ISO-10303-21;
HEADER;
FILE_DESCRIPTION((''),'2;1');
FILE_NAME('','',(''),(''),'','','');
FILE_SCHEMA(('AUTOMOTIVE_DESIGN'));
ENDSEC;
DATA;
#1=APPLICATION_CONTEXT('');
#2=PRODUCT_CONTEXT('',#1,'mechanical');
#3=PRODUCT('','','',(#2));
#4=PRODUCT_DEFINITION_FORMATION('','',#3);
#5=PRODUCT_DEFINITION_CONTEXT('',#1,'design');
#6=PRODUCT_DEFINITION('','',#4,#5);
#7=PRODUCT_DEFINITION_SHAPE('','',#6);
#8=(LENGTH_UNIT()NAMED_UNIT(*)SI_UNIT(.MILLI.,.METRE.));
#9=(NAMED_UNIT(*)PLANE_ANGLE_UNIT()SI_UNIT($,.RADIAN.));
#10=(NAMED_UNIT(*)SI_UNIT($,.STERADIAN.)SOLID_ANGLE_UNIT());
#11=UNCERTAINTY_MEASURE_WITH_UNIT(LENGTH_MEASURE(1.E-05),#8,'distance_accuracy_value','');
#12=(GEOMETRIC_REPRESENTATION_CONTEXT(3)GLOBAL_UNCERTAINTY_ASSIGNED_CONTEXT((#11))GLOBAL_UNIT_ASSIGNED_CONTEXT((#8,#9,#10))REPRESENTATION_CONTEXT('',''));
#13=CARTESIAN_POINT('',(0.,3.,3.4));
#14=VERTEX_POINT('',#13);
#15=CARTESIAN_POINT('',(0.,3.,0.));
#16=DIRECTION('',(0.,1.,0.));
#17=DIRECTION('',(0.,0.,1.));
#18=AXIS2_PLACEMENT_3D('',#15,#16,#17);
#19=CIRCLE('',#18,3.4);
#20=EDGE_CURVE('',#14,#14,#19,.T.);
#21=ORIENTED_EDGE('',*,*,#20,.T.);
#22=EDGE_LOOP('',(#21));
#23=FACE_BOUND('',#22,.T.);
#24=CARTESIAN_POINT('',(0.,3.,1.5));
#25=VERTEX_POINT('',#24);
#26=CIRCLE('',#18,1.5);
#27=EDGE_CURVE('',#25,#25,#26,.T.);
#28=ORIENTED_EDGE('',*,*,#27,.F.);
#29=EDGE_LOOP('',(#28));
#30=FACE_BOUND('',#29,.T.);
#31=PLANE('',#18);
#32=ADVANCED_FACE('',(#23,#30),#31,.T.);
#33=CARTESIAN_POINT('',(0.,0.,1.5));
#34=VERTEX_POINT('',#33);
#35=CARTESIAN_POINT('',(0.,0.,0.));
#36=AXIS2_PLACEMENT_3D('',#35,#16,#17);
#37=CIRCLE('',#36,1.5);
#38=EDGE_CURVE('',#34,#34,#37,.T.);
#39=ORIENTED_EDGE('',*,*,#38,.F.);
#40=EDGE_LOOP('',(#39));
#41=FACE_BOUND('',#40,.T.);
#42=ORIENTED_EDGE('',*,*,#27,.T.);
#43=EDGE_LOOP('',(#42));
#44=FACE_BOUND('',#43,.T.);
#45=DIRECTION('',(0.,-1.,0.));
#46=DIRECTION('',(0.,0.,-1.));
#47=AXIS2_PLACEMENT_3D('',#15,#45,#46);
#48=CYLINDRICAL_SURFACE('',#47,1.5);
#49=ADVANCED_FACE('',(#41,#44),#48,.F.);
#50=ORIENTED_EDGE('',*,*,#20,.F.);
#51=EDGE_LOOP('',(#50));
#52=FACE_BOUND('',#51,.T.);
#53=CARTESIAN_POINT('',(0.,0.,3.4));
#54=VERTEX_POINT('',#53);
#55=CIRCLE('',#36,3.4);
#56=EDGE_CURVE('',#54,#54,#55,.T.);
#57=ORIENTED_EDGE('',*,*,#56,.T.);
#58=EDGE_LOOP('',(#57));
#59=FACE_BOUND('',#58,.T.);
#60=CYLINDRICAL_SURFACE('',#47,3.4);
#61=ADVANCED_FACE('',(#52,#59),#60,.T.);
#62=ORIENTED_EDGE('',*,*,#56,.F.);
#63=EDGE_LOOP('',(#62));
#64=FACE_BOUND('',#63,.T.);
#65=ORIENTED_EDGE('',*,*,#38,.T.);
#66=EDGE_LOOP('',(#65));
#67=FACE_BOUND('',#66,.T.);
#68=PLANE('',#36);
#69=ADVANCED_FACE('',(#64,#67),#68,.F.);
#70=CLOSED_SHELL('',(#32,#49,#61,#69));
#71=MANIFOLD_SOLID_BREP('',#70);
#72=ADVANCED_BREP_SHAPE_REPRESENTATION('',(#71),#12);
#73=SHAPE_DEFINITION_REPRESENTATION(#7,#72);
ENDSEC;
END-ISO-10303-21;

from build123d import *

# Parameters (mm, degrees)
SKETCH1_R           = 3.4
SKETCH1_R_2         = 1.5
SPACER_HEIGHT_DEPTH = 3


with BuildPart() as part:
    # Sketch1 → Spacer Height (new body)
    with BuildSketch(Plane(origin=(0, 0, 0), x_dir=(1, 0, 0), z_dir=(0, 1, 0))):
        Circle(SKETCH1_R)
        Circle(SKETCH1_R_2, mode=Mode.SUBTRACT)
    extrude(amount=SPACER_HEIGHT_DEPTH)


solid = part.part
